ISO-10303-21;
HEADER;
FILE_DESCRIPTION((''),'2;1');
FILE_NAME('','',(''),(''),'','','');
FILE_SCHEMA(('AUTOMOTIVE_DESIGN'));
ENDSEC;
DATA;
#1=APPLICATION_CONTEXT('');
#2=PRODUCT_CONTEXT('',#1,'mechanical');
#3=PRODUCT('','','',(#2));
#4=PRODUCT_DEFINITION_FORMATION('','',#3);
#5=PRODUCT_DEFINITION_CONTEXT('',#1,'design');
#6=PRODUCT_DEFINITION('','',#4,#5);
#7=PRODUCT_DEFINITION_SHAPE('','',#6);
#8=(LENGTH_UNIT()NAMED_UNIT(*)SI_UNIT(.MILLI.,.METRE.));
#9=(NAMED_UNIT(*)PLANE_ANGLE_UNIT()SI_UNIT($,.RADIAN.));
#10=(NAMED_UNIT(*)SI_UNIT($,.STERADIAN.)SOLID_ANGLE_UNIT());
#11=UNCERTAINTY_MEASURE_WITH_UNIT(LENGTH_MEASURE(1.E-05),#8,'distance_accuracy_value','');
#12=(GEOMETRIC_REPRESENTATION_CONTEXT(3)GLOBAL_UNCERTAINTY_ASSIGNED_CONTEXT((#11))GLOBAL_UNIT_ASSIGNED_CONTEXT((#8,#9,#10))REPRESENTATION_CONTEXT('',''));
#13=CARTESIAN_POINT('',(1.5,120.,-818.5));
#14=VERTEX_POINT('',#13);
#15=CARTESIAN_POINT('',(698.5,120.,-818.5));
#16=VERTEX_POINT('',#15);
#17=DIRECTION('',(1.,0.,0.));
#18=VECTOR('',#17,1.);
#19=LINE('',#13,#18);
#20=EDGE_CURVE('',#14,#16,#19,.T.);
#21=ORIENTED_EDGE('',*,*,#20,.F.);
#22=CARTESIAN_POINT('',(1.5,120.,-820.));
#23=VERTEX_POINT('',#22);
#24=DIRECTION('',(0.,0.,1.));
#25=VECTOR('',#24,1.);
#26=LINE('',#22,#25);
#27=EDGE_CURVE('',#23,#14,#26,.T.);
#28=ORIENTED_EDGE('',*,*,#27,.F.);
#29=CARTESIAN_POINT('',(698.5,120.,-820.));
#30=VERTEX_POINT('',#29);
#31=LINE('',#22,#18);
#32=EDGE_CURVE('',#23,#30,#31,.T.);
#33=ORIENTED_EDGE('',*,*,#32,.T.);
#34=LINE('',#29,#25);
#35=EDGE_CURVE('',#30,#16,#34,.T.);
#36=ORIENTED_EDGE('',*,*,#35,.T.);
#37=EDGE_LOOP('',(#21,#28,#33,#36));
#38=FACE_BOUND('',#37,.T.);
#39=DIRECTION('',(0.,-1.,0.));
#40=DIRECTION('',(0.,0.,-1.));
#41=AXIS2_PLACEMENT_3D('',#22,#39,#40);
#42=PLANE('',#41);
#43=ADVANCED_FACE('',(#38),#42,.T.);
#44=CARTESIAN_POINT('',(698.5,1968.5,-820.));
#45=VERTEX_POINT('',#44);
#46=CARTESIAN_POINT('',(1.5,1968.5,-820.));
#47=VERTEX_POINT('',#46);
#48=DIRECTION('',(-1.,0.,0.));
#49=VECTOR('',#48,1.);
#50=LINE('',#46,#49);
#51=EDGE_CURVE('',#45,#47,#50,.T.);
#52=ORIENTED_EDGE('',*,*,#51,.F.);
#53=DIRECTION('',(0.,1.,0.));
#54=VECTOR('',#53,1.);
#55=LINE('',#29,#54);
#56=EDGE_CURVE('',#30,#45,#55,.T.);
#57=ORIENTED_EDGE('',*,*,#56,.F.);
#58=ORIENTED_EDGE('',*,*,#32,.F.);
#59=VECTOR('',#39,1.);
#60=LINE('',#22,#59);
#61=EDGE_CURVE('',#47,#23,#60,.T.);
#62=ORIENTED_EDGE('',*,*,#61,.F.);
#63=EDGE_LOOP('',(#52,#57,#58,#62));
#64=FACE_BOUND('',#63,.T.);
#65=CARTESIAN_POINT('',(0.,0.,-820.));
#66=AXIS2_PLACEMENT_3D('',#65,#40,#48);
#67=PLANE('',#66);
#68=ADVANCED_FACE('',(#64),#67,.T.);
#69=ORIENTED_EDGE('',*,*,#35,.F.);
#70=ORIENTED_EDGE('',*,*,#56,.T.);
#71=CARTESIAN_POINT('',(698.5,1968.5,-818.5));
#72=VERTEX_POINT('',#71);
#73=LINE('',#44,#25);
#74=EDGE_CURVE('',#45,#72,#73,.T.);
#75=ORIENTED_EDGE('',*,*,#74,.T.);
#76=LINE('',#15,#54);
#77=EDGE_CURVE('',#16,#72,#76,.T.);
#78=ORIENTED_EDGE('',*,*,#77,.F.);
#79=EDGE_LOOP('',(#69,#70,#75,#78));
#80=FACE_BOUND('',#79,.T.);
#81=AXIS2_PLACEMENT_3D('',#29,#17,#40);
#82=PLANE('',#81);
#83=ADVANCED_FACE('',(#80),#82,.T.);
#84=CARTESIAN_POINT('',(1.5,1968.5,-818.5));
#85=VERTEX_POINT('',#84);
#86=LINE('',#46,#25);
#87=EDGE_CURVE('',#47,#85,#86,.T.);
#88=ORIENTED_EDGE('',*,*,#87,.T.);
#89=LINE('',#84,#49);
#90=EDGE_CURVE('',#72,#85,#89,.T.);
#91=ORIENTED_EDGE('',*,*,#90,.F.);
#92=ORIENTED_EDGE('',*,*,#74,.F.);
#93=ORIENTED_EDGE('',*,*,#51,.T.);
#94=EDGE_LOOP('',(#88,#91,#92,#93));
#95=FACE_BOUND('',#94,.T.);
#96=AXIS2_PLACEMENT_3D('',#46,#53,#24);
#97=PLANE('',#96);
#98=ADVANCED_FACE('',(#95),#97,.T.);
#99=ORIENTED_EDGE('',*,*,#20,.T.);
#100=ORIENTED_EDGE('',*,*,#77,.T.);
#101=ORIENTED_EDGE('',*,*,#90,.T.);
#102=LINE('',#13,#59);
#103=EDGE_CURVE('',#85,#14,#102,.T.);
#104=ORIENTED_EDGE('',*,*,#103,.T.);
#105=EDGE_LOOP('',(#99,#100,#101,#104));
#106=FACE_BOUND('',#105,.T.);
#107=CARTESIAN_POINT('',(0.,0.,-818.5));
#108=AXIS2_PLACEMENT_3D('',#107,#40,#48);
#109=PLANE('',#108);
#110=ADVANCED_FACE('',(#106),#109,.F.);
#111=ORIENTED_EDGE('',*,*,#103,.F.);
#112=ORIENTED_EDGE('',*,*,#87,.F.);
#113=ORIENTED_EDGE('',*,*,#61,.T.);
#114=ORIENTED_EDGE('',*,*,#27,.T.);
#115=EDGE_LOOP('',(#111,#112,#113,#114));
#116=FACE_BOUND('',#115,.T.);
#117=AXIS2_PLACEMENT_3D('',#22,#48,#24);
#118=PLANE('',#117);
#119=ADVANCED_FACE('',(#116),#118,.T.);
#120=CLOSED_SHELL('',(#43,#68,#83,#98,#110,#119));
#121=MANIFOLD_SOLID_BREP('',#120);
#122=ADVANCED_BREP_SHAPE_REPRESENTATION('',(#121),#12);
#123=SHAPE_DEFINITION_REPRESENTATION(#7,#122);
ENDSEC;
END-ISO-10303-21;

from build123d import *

# Parameters (mm, degrees)
PRESS_DIS_ARKA_1_START = -818.5
SKETCH1_W              = 697
SKETCH1_H              = 1848.5
PRESS_DIS_ARKA_1_DEPTH = 1.5


with BuildPart() as part:
    # Sketch1 → PRESS_dis_arka_1 (new body)
    with BuildSketch(Plane.XY.offset(PRESS_DIS_ARKA_1_START)):
        with Locations((350, 1044.25)):
            Rectangle(SKETCH1_W, SKETCH1_H)
    extrude(amount=-PRESS_DIS_ARKA_1_DEPTH)


solid = part.part
